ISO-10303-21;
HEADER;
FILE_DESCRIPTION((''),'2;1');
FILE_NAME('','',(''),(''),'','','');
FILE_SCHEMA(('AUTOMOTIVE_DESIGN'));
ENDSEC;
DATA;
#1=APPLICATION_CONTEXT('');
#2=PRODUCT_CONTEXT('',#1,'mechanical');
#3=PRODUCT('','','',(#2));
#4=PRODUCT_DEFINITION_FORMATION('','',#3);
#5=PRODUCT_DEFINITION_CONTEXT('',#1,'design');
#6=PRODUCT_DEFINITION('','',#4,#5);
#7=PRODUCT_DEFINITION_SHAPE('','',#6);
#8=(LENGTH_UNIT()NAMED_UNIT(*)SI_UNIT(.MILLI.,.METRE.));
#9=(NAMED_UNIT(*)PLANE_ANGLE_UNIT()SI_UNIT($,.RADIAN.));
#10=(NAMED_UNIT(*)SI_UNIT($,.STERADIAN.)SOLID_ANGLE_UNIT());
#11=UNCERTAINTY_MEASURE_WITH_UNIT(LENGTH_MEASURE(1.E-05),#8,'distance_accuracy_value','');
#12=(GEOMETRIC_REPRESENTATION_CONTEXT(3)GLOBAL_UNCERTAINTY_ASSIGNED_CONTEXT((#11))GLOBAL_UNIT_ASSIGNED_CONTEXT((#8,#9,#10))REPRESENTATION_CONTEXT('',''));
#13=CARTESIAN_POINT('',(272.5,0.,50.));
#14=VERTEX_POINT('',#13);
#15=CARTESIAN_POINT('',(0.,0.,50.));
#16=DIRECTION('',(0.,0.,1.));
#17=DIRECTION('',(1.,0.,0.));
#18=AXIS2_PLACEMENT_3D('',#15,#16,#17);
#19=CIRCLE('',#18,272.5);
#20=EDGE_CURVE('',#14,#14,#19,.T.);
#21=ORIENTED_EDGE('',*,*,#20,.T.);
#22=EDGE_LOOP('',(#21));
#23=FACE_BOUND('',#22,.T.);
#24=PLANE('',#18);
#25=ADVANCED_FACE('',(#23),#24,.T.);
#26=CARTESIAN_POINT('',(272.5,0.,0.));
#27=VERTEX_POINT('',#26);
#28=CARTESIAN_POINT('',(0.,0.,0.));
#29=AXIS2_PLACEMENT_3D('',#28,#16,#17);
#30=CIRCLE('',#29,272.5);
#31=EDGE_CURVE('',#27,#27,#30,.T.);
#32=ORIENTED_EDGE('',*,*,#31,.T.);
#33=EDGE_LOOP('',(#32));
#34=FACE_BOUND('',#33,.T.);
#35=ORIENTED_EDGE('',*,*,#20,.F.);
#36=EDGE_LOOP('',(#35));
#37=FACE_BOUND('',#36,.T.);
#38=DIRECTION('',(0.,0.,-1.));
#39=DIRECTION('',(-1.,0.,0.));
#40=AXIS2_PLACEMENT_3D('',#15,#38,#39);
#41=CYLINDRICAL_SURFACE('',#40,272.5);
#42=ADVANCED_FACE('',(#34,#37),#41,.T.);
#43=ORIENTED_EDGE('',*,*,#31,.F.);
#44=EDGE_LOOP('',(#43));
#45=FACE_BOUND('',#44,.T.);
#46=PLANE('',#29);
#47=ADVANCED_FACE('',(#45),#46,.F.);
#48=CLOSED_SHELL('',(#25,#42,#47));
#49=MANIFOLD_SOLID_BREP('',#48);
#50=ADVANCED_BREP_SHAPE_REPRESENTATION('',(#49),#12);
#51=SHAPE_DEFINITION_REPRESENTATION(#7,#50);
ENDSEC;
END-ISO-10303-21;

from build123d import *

# Parameters (mm, degrees)
BASEROBOT_R = 272.5
BASE_DEPTH  = 50


with BuildPart() as part:
    # BaseRobot → Base (new body)
    with BuildSketch(Plane.XY):
        Circle(BASEROBOT_R)
    extrude(amount=BASE_DEPTH)


solid = part.part
